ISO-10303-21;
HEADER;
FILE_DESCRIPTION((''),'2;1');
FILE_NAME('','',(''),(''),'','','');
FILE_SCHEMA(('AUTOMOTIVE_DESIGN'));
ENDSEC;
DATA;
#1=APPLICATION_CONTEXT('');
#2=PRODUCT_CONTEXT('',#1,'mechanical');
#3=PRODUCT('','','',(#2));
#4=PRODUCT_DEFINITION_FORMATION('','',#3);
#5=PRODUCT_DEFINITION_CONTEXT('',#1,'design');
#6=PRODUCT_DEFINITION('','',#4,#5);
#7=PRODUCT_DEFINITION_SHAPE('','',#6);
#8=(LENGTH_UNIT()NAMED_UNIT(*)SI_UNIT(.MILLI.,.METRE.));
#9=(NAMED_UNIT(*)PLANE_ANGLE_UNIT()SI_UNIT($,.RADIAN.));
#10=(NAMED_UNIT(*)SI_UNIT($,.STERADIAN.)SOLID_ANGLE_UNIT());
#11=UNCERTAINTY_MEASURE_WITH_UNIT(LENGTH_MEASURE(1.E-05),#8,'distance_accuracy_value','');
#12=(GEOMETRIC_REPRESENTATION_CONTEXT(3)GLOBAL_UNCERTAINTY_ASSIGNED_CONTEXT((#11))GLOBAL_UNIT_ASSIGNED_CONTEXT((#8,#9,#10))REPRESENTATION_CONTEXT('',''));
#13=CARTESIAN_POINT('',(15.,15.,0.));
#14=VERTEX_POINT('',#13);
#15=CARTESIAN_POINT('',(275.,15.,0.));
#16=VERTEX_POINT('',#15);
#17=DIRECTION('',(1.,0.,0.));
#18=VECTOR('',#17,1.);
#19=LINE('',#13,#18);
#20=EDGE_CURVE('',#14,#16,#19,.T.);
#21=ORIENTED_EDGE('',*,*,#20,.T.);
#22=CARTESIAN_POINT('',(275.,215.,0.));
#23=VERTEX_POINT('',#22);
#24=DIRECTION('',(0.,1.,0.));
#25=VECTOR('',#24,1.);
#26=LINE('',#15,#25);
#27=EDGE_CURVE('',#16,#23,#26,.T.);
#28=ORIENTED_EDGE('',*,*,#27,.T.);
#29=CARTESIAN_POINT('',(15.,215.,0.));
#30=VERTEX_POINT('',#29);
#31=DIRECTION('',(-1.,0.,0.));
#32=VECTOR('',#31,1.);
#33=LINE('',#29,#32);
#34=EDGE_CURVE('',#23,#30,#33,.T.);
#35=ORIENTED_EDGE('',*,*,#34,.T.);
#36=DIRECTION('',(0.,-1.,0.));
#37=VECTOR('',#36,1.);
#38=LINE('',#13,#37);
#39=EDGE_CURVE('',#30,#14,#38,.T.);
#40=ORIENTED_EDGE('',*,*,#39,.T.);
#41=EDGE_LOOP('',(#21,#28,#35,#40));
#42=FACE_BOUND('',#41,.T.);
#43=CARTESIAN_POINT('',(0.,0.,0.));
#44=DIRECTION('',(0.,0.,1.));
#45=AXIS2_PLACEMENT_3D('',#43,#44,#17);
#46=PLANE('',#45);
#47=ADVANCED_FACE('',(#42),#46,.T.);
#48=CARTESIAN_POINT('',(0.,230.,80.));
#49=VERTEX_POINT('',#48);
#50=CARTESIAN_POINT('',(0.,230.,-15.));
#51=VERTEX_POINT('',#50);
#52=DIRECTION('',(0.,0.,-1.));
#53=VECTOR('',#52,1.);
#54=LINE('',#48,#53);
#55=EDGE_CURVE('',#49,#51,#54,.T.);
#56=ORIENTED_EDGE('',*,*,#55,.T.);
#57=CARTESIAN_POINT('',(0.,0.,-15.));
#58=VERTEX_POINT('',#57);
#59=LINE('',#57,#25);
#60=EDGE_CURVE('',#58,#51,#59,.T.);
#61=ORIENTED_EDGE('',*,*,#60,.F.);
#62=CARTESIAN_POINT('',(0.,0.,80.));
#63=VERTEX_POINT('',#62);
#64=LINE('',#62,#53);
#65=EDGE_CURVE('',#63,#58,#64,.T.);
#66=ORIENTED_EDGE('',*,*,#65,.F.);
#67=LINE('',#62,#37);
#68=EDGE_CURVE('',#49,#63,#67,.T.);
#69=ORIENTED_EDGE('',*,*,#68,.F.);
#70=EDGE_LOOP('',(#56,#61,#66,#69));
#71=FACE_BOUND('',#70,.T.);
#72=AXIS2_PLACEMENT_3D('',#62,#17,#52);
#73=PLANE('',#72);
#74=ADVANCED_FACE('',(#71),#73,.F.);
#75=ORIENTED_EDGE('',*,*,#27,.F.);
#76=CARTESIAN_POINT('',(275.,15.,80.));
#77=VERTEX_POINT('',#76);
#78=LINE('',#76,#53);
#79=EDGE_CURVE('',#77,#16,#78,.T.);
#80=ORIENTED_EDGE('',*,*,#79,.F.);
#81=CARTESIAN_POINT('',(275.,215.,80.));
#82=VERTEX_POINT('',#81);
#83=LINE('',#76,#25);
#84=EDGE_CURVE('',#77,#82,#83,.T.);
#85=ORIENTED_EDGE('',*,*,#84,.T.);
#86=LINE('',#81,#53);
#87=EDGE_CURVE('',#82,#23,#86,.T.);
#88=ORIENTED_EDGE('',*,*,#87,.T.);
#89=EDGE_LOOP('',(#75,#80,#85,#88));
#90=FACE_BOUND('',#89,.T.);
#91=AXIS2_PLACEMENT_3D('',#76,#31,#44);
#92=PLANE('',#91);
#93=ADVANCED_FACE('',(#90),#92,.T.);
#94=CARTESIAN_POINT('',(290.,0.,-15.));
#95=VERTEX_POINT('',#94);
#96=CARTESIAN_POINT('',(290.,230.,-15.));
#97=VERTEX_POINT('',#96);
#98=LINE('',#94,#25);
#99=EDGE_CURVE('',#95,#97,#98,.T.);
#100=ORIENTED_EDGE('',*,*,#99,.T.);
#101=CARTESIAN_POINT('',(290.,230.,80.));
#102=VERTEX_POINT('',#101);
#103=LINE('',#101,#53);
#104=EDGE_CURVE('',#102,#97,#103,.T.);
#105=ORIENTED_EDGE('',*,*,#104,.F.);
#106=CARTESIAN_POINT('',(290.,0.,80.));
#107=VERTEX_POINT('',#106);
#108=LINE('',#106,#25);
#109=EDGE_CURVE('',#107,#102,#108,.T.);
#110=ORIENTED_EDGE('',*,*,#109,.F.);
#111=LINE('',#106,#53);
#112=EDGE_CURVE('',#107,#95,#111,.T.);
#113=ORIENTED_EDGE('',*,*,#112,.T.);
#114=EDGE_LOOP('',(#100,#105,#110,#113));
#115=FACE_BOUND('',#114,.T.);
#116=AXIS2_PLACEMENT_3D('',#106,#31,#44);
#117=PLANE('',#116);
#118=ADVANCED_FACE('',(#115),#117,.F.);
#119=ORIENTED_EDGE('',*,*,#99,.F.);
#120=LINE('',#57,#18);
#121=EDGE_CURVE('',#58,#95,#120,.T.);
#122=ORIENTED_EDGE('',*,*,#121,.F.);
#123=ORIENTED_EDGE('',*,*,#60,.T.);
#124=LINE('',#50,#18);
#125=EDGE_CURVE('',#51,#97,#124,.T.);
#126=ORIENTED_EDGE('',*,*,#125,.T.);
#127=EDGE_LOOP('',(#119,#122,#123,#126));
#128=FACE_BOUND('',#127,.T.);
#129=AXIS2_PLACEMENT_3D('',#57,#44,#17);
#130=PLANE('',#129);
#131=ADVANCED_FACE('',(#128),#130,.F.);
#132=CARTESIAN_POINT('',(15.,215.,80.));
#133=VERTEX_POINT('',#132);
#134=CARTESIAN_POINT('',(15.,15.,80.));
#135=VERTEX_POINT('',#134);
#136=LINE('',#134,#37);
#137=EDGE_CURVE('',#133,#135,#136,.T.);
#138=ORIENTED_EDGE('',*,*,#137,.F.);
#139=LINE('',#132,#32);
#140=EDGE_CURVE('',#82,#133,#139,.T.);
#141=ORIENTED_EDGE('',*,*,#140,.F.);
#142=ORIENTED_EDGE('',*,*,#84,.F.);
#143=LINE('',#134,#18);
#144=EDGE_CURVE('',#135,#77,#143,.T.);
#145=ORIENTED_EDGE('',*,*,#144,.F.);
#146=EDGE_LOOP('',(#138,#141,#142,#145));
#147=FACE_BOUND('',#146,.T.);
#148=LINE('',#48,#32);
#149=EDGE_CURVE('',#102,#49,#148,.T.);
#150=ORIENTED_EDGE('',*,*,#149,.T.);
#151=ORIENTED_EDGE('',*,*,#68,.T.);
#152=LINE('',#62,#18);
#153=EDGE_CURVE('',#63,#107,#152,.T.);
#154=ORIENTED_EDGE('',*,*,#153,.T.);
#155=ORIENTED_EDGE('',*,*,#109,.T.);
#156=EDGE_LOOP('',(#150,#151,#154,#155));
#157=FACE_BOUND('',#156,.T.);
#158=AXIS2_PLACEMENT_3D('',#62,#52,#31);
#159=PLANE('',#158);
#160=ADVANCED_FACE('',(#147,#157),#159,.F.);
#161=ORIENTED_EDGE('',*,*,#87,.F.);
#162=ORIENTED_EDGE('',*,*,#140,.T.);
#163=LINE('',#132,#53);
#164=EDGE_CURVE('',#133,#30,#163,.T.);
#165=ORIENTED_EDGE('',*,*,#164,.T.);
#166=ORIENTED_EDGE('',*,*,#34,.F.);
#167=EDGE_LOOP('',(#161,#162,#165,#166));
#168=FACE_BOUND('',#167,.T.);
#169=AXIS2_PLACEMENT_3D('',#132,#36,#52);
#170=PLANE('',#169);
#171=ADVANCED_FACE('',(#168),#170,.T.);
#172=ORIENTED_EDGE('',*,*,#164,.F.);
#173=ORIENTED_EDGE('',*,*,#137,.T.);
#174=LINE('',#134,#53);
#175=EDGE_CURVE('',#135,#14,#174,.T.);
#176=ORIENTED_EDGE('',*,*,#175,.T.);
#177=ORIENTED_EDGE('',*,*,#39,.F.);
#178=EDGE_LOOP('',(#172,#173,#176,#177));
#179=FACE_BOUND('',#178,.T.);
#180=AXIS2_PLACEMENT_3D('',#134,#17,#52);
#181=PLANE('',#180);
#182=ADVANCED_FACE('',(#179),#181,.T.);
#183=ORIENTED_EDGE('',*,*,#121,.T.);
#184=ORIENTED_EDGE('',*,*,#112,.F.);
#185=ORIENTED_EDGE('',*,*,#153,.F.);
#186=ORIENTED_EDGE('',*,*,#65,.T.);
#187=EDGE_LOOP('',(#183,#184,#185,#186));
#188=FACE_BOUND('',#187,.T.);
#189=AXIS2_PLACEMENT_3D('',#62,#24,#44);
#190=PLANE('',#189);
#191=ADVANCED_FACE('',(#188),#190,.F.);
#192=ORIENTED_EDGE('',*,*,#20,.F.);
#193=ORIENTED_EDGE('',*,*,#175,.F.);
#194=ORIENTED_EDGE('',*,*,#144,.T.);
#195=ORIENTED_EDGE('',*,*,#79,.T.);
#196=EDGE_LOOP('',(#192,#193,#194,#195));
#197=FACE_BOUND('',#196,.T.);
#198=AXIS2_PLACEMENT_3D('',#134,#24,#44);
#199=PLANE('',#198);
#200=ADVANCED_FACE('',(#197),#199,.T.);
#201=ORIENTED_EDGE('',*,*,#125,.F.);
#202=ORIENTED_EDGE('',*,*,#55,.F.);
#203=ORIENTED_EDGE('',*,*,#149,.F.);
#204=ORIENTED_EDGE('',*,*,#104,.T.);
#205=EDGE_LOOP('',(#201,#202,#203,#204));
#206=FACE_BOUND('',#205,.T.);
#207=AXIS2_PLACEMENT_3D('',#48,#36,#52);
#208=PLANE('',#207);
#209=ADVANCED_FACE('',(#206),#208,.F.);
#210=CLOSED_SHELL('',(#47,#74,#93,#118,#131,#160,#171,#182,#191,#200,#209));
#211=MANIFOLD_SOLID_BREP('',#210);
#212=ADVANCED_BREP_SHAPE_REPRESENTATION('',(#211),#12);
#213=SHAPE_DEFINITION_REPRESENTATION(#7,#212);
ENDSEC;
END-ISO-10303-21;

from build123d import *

# Parameters (mm, degrees)
SKETCH_1_W      = 290
SKETCH_1_H      = 230
SKETCH_1_W_2    = 260
SKETCH_1_H_2    = 200
EXTRUDE_1_DEPTH = 80
SKETCH_1_2_W    = 290
SKETCH_1_2_H    = 230
EXTRUDE_2_DEPTH = 15


with BuildPart() as part:
    # 草图1 → 凸台-拉伸1 (new body)
    with BuildSketch(Plane.XY):
        with Locations((145, 115)):
            Rectangle(SKETCH_1_W, SKETCH_1_H)
        with Locations((145, 115)):
            Rectangle(SKETCH_1_W_2, SKETCH_1_H_2, mode=Mode.SUBTRACT)
    extrude(amount=EXTRUDE_1_DEPTH)

    # 草图1<2> → 凸台-拉伸2 (add)
    with BuildSketch(Plane.XY):
        with Locations((145, 115)):
            Rectangle(SKETCH_1_2_W, SKETCH_1_2_H)
    extrude(amount=-EXTRUDE_2_DEPTH)


solid = part.part
